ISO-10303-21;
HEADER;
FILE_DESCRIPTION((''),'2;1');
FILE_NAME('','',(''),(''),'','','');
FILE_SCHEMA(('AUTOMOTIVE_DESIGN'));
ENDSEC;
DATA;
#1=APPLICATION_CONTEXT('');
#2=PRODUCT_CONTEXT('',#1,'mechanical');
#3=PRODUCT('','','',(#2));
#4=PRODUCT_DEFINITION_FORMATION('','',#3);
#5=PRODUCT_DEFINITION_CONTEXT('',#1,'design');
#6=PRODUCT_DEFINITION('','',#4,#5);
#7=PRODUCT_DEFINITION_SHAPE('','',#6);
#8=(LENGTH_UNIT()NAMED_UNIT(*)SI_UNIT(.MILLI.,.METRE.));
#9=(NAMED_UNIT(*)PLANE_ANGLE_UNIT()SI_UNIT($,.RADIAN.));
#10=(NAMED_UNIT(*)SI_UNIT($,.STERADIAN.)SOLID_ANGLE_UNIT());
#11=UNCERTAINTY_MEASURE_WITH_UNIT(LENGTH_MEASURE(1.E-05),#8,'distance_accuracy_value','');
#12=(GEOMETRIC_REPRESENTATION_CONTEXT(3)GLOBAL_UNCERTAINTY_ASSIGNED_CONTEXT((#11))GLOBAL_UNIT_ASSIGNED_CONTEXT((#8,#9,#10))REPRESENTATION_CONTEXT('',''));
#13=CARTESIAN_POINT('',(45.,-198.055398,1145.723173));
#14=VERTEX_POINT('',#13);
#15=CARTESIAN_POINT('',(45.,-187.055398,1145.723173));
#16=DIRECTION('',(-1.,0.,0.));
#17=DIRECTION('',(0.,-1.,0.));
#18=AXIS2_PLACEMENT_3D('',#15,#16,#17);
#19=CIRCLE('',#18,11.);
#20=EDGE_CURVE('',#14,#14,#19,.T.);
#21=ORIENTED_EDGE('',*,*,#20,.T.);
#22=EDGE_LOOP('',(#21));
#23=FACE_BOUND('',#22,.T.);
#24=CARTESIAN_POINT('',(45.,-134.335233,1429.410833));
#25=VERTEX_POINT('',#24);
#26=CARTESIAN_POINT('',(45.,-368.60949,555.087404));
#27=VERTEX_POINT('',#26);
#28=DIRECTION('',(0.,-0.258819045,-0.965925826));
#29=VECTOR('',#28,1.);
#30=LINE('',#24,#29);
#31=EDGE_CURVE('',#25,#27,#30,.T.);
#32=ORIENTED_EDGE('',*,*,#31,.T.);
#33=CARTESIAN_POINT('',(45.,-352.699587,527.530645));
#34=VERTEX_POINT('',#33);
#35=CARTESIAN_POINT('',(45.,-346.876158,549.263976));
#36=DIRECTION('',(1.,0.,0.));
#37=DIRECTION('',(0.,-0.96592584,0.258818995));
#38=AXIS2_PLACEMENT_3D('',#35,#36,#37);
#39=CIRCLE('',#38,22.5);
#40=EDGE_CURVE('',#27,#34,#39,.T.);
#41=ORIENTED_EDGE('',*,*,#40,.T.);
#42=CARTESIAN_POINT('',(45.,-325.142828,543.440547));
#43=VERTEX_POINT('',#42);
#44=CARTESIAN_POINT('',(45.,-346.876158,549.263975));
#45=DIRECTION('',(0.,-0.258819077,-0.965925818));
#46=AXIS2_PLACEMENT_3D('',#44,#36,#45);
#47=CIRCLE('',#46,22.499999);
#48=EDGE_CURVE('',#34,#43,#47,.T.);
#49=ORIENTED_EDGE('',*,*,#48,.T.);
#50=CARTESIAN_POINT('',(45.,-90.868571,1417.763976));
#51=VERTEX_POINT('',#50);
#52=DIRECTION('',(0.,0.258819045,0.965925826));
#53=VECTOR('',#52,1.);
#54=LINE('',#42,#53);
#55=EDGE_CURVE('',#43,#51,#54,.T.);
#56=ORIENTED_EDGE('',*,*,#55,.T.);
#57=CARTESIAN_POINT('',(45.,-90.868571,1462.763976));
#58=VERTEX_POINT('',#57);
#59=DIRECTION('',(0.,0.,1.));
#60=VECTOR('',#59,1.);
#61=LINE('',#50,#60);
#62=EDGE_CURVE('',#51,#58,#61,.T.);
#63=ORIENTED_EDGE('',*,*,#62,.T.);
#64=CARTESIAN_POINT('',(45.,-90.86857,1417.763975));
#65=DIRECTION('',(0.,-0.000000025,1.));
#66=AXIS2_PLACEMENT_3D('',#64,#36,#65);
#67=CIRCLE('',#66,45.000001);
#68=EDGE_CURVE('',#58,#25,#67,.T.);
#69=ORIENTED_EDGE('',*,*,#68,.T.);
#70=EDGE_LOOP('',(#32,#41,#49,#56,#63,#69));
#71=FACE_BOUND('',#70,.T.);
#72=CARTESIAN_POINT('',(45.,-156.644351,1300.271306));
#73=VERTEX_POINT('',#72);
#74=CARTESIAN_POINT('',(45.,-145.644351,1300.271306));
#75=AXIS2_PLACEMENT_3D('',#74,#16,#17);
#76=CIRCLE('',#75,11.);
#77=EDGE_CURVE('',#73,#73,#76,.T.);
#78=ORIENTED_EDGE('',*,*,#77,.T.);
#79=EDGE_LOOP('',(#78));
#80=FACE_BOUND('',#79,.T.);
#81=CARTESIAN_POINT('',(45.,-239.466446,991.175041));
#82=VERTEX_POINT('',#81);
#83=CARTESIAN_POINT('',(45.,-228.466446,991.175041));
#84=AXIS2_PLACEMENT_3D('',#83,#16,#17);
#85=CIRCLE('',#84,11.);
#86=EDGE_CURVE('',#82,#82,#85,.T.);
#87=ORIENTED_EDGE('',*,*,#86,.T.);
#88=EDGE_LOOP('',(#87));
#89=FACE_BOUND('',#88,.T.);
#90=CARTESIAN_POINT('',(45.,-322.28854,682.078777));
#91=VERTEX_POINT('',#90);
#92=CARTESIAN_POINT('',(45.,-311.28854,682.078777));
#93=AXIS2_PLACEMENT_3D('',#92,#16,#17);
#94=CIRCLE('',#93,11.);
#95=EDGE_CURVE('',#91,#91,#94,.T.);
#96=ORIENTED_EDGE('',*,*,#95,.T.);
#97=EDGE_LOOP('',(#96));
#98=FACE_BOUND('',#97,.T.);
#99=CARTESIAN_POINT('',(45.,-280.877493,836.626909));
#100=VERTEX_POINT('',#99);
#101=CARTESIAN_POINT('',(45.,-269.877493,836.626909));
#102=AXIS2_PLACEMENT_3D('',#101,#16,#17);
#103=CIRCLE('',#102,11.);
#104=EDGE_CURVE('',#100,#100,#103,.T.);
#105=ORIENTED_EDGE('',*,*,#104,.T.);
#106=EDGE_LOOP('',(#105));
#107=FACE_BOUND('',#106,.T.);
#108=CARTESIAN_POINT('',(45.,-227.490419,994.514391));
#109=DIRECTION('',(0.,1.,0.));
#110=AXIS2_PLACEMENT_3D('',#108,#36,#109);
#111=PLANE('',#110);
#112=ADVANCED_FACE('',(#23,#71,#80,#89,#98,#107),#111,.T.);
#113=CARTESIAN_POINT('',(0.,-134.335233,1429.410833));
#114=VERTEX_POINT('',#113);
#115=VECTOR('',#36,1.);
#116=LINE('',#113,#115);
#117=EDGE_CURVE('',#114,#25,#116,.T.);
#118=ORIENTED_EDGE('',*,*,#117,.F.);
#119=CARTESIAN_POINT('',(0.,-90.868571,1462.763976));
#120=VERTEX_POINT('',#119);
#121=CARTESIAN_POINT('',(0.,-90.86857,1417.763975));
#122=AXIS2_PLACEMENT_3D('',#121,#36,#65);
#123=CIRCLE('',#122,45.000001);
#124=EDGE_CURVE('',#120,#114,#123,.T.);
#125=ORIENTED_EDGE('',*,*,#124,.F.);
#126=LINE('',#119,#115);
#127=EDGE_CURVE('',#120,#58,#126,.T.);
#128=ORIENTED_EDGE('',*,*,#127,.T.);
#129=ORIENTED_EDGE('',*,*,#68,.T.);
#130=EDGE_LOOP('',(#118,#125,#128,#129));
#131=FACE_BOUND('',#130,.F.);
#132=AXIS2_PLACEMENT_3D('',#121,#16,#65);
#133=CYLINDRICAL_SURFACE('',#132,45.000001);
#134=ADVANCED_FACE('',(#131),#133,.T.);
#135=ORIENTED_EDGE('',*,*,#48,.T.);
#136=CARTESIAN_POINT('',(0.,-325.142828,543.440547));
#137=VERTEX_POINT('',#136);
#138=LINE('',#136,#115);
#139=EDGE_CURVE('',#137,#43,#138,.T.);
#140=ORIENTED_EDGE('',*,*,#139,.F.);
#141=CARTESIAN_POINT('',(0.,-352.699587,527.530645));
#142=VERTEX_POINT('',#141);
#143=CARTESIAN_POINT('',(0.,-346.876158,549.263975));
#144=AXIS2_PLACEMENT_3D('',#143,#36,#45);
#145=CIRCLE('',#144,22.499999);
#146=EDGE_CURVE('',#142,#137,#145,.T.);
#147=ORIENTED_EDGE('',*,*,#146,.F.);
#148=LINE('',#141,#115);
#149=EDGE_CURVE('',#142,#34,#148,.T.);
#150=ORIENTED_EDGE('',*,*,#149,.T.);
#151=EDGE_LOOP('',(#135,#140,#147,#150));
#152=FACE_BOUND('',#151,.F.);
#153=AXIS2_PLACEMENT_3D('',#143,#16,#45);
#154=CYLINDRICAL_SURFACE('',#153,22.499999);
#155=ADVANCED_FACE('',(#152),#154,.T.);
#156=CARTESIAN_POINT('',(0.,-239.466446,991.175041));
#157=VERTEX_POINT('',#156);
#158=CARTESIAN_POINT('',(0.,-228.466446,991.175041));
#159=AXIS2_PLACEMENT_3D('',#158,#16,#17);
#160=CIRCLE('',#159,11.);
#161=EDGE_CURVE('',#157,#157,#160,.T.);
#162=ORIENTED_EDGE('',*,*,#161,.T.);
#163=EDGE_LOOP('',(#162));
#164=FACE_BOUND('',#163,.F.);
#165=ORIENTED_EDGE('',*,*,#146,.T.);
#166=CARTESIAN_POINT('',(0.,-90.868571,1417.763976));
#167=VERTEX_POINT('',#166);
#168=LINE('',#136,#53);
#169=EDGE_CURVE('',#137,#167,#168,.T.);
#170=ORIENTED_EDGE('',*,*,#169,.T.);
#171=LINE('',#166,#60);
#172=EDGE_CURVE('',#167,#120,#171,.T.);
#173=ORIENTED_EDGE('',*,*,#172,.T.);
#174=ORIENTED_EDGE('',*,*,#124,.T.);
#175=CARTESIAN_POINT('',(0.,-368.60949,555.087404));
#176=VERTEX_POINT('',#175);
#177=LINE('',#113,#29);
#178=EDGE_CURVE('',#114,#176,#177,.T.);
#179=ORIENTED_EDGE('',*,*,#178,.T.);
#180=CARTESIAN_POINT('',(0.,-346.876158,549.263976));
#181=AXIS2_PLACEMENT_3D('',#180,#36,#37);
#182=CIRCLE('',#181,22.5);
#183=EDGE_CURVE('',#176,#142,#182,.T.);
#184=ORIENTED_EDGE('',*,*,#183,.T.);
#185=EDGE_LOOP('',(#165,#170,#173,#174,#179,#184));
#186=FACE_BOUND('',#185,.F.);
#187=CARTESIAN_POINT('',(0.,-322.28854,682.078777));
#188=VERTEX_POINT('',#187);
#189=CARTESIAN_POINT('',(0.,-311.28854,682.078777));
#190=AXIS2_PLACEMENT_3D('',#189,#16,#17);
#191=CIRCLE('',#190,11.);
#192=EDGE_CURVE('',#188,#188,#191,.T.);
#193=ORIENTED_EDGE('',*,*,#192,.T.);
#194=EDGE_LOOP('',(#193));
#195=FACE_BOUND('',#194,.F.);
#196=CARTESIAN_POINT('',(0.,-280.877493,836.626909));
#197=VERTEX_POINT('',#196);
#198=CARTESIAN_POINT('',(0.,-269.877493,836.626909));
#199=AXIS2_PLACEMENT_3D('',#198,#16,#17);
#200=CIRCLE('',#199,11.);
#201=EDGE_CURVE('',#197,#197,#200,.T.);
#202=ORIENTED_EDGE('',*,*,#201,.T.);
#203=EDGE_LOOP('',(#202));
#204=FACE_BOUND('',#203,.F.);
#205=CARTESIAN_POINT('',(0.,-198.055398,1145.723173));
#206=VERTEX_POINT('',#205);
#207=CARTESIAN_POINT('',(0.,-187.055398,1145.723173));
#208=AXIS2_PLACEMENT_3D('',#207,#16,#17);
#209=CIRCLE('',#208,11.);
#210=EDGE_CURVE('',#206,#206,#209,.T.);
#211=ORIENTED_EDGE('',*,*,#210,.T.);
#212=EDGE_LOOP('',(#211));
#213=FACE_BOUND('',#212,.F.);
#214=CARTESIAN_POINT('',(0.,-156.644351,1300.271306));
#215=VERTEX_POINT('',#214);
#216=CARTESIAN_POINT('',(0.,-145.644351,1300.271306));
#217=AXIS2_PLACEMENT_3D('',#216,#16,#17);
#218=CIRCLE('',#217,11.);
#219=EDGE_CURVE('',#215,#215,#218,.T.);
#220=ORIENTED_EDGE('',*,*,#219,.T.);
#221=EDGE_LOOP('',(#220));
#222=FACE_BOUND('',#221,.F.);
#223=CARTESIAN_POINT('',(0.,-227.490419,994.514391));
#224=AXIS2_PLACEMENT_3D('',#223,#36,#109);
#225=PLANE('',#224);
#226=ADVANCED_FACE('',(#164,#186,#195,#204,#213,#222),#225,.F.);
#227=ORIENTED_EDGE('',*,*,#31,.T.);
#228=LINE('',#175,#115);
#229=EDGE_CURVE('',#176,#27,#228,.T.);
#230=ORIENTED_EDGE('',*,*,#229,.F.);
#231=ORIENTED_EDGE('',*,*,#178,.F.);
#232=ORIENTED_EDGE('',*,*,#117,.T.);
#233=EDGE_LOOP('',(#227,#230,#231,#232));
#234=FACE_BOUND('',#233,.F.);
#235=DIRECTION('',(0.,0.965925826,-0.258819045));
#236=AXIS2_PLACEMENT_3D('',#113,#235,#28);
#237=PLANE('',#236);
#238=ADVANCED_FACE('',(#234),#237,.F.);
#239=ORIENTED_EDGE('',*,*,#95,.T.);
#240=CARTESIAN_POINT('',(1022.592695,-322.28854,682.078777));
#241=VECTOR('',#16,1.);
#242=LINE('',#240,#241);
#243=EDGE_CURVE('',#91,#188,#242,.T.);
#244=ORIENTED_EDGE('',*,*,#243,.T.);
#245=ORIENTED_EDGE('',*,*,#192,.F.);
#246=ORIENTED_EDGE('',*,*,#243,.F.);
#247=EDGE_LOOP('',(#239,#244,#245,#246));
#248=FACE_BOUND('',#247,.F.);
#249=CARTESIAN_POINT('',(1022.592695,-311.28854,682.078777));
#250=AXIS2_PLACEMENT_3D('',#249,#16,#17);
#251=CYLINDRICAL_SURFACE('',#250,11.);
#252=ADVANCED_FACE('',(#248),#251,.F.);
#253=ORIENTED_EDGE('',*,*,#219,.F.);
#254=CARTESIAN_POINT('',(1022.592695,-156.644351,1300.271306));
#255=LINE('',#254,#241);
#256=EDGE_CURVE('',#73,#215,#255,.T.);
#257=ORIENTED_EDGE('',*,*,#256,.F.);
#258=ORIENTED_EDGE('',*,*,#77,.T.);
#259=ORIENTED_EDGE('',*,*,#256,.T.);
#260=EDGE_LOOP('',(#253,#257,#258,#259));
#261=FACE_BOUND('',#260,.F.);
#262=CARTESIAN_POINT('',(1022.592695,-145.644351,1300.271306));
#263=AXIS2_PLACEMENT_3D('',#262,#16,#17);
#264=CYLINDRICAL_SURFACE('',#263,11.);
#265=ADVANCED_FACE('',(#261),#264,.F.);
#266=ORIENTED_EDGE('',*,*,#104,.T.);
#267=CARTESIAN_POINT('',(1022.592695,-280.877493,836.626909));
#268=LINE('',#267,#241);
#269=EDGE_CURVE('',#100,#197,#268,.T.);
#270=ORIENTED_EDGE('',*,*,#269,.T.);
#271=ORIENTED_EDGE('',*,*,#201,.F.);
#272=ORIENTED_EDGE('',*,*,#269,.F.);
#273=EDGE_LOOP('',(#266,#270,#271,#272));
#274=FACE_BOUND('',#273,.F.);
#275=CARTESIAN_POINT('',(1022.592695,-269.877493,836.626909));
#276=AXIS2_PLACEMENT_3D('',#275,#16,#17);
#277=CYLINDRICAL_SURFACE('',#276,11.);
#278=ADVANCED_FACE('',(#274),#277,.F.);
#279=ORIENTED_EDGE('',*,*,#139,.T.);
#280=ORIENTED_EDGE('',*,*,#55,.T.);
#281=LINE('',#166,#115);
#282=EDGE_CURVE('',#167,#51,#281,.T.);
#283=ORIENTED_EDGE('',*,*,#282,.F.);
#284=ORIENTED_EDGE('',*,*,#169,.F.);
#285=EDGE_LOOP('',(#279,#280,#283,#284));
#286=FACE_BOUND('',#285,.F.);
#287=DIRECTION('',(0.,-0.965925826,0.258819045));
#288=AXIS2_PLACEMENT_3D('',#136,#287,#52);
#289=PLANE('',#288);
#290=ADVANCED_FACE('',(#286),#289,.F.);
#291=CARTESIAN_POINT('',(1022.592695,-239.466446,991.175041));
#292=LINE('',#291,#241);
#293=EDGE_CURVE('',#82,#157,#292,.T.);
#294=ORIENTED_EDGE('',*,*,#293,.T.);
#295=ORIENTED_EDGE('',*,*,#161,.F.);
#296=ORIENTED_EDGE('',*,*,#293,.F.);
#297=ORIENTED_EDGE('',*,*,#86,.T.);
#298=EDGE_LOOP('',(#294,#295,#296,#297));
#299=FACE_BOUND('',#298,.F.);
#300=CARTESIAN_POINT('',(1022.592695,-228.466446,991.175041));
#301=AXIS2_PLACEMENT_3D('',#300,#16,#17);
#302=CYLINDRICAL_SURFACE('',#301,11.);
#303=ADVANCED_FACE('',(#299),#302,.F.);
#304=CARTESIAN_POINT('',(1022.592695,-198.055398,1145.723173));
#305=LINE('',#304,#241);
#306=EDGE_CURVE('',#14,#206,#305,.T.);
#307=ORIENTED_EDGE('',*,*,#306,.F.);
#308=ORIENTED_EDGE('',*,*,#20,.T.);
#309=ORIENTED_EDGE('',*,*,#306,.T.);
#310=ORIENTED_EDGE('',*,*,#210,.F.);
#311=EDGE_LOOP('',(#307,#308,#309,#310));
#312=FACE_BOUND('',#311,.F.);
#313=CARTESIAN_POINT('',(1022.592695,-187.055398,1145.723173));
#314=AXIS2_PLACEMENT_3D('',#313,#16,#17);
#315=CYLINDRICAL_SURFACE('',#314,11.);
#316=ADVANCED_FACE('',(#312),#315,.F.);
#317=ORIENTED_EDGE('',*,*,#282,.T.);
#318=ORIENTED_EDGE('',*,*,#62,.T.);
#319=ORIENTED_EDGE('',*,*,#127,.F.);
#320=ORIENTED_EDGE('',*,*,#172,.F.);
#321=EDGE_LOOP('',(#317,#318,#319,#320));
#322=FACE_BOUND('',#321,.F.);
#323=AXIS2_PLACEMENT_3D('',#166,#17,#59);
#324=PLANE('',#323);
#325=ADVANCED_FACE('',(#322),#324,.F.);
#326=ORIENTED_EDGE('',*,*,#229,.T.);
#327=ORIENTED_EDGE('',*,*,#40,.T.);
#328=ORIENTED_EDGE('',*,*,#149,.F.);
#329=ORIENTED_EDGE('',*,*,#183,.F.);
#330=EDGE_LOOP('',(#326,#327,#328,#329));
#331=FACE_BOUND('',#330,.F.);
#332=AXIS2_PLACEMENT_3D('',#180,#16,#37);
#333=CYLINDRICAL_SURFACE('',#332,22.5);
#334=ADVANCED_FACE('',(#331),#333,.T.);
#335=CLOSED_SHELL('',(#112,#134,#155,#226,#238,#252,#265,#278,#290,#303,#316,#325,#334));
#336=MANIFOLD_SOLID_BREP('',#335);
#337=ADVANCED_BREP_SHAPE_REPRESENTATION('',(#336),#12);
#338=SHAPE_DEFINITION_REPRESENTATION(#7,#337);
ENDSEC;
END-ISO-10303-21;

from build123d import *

# Parameters (mm, degrees)
F1_DEPTH = 45
F3_D     = 22


with BuildPart() as f1:
    # F0 (on Right) → F1 (new body)
    with BuildSketch(Plane.YZ):
        with BuildLine():
            Line((-325.142828, 543.440547), (-90.868571, 1417.763976))
            Line((-90.868571, 1417.763976), (-90.868571, 1462.763976))
            ThreePointArc((-90.868571, 1462.763976), (-118.262835, 1453.464876), (-134.335233, 1429.410833))
            Line((-134.335233, 1429.410833), (-368.60949, 555.087404))
            ThreePointArc((-368.60949, 555.087404), (-366.36173, 538.013976), (-352.699587, 527.530645))
            ThreePointArc((-352.699587, 527.530645), (-335.626159, 529.778404), (-325.142828, 543.440547))
        make_face()
    extrude(amount=F1_DEPTH)

    # F3 (through all)
    with Locations(Plane.YZ.offset(45)):
        with Locations((-145.644351, 1300.271306), (-187.055398, 1145.723173), (-228.466446, 991.175041), (-269.877493, 836.626909), (-311.28854, 682.078777)):
            Hole(F3_D / 2)


solid = f1.part
